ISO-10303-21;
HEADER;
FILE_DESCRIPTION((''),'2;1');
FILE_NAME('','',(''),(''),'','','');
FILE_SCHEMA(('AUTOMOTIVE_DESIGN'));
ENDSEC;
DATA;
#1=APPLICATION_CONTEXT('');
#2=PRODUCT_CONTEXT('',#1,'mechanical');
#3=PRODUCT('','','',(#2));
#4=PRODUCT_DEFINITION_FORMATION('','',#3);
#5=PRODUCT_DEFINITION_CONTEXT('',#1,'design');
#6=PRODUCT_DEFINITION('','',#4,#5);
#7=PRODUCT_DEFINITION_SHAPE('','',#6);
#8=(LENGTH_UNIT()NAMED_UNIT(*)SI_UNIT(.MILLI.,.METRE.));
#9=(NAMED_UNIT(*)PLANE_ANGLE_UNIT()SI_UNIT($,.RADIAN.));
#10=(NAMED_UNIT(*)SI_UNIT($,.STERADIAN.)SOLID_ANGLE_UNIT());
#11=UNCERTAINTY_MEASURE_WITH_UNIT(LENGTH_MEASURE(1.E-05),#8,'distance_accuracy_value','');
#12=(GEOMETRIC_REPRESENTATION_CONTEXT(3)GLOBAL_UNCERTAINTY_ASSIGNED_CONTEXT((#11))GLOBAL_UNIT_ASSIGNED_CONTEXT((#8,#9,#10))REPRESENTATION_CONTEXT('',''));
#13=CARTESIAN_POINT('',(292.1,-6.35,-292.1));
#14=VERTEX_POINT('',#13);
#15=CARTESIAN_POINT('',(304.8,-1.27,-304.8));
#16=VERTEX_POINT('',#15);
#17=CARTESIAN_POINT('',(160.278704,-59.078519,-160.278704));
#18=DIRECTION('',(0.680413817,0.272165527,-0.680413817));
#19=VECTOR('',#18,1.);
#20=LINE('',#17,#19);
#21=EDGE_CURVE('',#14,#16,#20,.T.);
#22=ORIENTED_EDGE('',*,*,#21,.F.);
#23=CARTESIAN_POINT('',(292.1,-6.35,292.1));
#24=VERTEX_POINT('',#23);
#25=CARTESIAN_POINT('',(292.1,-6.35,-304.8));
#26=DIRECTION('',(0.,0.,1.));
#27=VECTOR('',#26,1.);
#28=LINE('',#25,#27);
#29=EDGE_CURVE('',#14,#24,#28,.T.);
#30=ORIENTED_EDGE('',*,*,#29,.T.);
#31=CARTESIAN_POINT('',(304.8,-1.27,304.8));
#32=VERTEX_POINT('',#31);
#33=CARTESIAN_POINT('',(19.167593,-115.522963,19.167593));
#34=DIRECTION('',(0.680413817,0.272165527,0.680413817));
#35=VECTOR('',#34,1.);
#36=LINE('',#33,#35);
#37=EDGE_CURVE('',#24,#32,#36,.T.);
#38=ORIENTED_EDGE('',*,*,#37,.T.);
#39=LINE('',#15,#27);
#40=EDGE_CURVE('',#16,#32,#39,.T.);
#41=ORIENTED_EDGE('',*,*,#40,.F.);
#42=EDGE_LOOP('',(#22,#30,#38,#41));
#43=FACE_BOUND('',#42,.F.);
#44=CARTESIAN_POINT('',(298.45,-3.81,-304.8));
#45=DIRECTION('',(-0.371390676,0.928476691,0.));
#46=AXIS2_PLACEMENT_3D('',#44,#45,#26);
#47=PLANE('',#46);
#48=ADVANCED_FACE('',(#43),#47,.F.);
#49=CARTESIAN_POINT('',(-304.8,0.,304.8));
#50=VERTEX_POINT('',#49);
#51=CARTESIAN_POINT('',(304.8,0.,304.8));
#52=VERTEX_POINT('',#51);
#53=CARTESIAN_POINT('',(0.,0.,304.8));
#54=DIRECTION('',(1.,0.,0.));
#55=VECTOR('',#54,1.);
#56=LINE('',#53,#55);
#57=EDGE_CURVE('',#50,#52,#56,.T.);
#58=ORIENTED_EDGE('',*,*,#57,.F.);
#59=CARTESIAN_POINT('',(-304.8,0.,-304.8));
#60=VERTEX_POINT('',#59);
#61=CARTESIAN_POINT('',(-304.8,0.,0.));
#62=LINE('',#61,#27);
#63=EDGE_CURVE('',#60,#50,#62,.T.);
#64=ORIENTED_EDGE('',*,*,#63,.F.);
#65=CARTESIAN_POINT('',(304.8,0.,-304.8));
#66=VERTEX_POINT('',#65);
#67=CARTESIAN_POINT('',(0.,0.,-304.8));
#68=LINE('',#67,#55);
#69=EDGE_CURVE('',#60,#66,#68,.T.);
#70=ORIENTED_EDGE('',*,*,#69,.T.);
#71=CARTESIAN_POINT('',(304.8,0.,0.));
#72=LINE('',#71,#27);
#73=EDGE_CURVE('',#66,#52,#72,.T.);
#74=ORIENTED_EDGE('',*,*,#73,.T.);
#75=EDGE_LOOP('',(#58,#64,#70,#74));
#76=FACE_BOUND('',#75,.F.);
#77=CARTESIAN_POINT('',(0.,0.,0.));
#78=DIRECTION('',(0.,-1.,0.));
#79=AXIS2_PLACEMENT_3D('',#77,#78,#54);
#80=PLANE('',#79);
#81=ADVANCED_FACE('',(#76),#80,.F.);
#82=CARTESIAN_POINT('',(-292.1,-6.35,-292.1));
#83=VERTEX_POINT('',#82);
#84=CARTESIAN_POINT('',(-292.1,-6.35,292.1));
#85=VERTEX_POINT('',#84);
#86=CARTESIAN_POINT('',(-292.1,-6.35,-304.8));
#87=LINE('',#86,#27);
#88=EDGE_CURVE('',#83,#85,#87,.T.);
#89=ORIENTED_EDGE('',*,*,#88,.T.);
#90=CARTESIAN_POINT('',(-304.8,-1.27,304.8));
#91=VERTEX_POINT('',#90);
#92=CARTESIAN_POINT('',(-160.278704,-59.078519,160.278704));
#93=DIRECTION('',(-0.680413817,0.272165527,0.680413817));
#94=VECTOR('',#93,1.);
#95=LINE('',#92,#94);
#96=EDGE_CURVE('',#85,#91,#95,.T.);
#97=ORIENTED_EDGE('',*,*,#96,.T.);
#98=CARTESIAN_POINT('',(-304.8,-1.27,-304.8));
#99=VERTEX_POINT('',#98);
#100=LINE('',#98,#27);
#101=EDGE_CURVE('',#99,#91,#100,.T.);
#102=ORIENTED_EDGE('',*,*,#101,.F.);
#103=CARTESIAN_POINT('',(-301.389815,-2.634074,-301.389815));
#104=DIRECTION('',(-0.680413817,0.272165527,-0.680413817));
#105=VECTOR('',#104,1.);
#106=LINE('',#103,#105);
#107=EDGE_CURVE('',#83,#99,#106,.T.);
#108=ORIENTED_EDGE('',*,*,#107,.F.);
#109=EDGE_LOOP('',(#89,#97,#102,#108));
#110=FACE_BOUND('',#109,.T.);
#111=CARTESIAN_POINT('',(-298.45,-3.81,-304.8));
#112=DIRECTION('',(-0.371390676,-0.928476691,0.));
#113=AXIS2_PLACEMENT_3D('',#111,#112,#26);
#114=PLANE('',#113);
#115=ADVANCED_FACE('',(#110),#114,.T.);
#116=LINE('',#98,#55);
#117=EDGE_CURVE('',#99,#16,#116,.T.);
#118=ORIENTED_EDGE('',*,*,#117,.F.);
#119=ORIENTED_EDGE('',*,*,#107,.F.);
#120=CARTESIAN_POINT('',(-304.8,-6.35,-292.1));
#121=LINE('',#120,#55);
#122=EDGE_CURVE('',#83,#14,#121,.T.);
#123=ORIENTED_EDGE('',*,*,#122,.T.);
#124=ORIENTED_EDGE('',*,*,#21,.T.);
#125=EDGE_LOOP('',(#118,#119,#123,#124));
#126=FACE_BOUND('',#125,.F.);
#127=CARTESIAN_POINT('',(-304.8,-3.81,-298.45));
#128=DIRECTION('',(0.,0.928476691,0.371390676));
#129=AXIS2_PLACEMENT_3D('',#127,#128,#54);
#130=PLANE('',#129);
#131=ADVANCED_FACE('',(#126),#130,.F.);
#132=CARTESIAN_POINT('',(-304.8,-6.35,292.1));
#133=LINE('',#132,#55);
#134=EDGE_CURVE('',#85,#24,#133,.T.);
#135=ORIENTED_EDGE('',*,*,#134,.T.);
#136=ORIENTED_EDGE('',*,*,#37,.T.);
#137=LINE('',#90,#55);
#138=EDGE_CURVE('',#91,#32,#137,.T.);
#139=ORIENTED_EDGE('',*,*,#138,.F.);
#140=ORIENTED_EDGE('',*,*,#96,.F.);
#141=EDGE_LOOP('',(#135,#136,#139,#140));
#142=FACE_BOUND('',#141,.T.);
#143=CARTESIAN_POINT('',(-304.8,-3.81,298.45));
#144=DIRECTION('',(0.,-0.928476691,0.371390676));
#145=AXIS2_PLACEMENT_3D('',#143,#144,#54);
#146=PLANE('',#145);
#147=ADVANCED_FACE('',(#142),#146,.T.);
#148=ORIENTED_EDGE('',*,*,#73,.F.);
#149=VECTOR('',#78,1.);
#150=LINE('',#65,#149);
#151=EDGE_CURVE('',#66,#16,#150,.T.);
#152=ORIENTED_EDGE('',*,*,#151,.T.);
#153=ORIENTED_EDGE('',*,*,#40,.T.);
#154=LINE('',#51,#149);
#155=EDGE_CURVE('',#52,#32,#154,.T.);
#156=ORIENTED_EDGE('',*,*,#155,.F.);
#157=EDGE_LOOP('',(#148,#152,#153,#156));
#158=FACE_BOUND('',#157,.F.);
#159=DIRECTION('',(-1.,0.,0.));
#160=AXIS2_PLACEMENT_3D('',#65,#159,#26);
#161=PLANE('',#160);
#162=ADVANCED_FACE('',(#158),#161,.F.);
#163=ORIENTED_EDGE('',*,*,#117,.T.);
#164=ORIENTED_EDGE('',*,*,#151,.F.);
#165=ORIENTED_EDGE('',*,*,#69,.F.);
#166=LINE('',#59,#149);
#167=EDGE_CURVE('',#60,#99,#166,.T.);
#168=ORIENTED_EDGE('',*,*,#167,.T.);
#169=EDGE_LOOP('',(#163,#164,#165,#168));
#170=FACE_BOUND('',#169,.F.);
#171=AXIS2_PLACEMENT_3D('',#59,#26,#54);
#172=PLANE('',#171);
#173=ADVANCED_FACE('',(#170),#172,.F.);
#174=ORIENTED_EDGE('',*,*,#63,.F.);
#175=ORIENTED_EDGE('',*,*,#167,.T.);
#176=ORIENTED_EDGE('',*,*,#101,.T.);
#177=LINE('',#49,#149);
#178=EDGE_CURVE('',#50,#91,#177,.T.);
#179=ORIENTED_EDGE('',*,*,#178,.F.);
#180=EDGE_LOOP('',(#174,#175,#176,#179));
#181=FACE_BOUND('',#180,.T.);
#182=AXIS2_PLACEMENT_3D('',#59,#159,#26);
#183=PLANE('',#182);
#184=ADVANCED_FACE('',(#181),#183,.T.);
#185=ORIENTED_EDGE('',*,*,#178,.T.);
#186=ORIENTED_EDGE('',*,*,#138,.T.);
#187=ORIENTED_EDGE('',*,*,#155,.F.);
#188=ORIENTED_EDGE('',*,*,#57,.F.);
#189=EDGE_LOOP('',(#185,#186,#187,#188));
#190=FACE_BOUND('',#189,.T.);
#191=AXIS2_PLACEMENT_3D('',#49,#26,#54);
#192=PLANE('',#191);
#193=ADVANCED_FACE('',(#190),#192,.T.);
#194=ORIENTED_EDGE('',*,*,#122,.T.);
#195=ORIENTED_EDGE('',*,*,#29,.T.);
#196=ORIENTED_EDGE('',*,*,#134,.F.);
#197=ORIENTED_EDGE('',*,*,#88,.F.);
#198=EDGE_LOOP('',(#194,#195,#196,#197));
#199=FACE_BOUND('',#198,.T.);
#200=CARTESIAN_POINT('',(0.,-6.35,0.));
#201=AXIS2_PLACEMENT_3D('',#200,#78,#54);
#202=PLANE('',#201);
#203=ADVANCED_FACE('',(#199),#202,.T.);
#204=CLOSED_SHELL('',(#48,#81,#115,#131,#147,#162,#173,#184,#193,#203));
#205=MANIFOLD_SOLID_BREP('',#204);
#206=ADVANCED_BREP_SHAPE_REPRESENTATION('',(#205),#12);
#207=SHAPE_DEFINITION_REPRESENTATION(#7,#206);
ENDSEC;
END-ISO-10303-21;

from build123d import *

# Parameters (mm, degrees)
F0_W     = 609.6
F0_H     = 609.6
F1_DEPTH = 6.35
F2_SIZE2 = 5.08
F2_SIZE  = 12.7


with BuildPart() as f1:
    # F0 (on Front) → F1 (new body)
    with BuildSketch(Plane.XZ):
        Rectangle(F0_W, F0_H)
    extrude(amount=F1_DEPTH)

    # F2
    f2_edges = [f1.edges().sort_by_distance(p)[0] for p in [
        (304.8, -6.35, 0),
        (0, -6.35, 304.8),
        (-304.8, -6.35, 0),
        (0, -6.35, -304.8),
    ]]
    f2_side = f1.faces().sort_by_distance((0, -6.35, 0))[0]
    chamfer(f2_edges, length=F2_SIZE, length2=F2_SIZE2, reference=f2_side)


solid = f1.part
